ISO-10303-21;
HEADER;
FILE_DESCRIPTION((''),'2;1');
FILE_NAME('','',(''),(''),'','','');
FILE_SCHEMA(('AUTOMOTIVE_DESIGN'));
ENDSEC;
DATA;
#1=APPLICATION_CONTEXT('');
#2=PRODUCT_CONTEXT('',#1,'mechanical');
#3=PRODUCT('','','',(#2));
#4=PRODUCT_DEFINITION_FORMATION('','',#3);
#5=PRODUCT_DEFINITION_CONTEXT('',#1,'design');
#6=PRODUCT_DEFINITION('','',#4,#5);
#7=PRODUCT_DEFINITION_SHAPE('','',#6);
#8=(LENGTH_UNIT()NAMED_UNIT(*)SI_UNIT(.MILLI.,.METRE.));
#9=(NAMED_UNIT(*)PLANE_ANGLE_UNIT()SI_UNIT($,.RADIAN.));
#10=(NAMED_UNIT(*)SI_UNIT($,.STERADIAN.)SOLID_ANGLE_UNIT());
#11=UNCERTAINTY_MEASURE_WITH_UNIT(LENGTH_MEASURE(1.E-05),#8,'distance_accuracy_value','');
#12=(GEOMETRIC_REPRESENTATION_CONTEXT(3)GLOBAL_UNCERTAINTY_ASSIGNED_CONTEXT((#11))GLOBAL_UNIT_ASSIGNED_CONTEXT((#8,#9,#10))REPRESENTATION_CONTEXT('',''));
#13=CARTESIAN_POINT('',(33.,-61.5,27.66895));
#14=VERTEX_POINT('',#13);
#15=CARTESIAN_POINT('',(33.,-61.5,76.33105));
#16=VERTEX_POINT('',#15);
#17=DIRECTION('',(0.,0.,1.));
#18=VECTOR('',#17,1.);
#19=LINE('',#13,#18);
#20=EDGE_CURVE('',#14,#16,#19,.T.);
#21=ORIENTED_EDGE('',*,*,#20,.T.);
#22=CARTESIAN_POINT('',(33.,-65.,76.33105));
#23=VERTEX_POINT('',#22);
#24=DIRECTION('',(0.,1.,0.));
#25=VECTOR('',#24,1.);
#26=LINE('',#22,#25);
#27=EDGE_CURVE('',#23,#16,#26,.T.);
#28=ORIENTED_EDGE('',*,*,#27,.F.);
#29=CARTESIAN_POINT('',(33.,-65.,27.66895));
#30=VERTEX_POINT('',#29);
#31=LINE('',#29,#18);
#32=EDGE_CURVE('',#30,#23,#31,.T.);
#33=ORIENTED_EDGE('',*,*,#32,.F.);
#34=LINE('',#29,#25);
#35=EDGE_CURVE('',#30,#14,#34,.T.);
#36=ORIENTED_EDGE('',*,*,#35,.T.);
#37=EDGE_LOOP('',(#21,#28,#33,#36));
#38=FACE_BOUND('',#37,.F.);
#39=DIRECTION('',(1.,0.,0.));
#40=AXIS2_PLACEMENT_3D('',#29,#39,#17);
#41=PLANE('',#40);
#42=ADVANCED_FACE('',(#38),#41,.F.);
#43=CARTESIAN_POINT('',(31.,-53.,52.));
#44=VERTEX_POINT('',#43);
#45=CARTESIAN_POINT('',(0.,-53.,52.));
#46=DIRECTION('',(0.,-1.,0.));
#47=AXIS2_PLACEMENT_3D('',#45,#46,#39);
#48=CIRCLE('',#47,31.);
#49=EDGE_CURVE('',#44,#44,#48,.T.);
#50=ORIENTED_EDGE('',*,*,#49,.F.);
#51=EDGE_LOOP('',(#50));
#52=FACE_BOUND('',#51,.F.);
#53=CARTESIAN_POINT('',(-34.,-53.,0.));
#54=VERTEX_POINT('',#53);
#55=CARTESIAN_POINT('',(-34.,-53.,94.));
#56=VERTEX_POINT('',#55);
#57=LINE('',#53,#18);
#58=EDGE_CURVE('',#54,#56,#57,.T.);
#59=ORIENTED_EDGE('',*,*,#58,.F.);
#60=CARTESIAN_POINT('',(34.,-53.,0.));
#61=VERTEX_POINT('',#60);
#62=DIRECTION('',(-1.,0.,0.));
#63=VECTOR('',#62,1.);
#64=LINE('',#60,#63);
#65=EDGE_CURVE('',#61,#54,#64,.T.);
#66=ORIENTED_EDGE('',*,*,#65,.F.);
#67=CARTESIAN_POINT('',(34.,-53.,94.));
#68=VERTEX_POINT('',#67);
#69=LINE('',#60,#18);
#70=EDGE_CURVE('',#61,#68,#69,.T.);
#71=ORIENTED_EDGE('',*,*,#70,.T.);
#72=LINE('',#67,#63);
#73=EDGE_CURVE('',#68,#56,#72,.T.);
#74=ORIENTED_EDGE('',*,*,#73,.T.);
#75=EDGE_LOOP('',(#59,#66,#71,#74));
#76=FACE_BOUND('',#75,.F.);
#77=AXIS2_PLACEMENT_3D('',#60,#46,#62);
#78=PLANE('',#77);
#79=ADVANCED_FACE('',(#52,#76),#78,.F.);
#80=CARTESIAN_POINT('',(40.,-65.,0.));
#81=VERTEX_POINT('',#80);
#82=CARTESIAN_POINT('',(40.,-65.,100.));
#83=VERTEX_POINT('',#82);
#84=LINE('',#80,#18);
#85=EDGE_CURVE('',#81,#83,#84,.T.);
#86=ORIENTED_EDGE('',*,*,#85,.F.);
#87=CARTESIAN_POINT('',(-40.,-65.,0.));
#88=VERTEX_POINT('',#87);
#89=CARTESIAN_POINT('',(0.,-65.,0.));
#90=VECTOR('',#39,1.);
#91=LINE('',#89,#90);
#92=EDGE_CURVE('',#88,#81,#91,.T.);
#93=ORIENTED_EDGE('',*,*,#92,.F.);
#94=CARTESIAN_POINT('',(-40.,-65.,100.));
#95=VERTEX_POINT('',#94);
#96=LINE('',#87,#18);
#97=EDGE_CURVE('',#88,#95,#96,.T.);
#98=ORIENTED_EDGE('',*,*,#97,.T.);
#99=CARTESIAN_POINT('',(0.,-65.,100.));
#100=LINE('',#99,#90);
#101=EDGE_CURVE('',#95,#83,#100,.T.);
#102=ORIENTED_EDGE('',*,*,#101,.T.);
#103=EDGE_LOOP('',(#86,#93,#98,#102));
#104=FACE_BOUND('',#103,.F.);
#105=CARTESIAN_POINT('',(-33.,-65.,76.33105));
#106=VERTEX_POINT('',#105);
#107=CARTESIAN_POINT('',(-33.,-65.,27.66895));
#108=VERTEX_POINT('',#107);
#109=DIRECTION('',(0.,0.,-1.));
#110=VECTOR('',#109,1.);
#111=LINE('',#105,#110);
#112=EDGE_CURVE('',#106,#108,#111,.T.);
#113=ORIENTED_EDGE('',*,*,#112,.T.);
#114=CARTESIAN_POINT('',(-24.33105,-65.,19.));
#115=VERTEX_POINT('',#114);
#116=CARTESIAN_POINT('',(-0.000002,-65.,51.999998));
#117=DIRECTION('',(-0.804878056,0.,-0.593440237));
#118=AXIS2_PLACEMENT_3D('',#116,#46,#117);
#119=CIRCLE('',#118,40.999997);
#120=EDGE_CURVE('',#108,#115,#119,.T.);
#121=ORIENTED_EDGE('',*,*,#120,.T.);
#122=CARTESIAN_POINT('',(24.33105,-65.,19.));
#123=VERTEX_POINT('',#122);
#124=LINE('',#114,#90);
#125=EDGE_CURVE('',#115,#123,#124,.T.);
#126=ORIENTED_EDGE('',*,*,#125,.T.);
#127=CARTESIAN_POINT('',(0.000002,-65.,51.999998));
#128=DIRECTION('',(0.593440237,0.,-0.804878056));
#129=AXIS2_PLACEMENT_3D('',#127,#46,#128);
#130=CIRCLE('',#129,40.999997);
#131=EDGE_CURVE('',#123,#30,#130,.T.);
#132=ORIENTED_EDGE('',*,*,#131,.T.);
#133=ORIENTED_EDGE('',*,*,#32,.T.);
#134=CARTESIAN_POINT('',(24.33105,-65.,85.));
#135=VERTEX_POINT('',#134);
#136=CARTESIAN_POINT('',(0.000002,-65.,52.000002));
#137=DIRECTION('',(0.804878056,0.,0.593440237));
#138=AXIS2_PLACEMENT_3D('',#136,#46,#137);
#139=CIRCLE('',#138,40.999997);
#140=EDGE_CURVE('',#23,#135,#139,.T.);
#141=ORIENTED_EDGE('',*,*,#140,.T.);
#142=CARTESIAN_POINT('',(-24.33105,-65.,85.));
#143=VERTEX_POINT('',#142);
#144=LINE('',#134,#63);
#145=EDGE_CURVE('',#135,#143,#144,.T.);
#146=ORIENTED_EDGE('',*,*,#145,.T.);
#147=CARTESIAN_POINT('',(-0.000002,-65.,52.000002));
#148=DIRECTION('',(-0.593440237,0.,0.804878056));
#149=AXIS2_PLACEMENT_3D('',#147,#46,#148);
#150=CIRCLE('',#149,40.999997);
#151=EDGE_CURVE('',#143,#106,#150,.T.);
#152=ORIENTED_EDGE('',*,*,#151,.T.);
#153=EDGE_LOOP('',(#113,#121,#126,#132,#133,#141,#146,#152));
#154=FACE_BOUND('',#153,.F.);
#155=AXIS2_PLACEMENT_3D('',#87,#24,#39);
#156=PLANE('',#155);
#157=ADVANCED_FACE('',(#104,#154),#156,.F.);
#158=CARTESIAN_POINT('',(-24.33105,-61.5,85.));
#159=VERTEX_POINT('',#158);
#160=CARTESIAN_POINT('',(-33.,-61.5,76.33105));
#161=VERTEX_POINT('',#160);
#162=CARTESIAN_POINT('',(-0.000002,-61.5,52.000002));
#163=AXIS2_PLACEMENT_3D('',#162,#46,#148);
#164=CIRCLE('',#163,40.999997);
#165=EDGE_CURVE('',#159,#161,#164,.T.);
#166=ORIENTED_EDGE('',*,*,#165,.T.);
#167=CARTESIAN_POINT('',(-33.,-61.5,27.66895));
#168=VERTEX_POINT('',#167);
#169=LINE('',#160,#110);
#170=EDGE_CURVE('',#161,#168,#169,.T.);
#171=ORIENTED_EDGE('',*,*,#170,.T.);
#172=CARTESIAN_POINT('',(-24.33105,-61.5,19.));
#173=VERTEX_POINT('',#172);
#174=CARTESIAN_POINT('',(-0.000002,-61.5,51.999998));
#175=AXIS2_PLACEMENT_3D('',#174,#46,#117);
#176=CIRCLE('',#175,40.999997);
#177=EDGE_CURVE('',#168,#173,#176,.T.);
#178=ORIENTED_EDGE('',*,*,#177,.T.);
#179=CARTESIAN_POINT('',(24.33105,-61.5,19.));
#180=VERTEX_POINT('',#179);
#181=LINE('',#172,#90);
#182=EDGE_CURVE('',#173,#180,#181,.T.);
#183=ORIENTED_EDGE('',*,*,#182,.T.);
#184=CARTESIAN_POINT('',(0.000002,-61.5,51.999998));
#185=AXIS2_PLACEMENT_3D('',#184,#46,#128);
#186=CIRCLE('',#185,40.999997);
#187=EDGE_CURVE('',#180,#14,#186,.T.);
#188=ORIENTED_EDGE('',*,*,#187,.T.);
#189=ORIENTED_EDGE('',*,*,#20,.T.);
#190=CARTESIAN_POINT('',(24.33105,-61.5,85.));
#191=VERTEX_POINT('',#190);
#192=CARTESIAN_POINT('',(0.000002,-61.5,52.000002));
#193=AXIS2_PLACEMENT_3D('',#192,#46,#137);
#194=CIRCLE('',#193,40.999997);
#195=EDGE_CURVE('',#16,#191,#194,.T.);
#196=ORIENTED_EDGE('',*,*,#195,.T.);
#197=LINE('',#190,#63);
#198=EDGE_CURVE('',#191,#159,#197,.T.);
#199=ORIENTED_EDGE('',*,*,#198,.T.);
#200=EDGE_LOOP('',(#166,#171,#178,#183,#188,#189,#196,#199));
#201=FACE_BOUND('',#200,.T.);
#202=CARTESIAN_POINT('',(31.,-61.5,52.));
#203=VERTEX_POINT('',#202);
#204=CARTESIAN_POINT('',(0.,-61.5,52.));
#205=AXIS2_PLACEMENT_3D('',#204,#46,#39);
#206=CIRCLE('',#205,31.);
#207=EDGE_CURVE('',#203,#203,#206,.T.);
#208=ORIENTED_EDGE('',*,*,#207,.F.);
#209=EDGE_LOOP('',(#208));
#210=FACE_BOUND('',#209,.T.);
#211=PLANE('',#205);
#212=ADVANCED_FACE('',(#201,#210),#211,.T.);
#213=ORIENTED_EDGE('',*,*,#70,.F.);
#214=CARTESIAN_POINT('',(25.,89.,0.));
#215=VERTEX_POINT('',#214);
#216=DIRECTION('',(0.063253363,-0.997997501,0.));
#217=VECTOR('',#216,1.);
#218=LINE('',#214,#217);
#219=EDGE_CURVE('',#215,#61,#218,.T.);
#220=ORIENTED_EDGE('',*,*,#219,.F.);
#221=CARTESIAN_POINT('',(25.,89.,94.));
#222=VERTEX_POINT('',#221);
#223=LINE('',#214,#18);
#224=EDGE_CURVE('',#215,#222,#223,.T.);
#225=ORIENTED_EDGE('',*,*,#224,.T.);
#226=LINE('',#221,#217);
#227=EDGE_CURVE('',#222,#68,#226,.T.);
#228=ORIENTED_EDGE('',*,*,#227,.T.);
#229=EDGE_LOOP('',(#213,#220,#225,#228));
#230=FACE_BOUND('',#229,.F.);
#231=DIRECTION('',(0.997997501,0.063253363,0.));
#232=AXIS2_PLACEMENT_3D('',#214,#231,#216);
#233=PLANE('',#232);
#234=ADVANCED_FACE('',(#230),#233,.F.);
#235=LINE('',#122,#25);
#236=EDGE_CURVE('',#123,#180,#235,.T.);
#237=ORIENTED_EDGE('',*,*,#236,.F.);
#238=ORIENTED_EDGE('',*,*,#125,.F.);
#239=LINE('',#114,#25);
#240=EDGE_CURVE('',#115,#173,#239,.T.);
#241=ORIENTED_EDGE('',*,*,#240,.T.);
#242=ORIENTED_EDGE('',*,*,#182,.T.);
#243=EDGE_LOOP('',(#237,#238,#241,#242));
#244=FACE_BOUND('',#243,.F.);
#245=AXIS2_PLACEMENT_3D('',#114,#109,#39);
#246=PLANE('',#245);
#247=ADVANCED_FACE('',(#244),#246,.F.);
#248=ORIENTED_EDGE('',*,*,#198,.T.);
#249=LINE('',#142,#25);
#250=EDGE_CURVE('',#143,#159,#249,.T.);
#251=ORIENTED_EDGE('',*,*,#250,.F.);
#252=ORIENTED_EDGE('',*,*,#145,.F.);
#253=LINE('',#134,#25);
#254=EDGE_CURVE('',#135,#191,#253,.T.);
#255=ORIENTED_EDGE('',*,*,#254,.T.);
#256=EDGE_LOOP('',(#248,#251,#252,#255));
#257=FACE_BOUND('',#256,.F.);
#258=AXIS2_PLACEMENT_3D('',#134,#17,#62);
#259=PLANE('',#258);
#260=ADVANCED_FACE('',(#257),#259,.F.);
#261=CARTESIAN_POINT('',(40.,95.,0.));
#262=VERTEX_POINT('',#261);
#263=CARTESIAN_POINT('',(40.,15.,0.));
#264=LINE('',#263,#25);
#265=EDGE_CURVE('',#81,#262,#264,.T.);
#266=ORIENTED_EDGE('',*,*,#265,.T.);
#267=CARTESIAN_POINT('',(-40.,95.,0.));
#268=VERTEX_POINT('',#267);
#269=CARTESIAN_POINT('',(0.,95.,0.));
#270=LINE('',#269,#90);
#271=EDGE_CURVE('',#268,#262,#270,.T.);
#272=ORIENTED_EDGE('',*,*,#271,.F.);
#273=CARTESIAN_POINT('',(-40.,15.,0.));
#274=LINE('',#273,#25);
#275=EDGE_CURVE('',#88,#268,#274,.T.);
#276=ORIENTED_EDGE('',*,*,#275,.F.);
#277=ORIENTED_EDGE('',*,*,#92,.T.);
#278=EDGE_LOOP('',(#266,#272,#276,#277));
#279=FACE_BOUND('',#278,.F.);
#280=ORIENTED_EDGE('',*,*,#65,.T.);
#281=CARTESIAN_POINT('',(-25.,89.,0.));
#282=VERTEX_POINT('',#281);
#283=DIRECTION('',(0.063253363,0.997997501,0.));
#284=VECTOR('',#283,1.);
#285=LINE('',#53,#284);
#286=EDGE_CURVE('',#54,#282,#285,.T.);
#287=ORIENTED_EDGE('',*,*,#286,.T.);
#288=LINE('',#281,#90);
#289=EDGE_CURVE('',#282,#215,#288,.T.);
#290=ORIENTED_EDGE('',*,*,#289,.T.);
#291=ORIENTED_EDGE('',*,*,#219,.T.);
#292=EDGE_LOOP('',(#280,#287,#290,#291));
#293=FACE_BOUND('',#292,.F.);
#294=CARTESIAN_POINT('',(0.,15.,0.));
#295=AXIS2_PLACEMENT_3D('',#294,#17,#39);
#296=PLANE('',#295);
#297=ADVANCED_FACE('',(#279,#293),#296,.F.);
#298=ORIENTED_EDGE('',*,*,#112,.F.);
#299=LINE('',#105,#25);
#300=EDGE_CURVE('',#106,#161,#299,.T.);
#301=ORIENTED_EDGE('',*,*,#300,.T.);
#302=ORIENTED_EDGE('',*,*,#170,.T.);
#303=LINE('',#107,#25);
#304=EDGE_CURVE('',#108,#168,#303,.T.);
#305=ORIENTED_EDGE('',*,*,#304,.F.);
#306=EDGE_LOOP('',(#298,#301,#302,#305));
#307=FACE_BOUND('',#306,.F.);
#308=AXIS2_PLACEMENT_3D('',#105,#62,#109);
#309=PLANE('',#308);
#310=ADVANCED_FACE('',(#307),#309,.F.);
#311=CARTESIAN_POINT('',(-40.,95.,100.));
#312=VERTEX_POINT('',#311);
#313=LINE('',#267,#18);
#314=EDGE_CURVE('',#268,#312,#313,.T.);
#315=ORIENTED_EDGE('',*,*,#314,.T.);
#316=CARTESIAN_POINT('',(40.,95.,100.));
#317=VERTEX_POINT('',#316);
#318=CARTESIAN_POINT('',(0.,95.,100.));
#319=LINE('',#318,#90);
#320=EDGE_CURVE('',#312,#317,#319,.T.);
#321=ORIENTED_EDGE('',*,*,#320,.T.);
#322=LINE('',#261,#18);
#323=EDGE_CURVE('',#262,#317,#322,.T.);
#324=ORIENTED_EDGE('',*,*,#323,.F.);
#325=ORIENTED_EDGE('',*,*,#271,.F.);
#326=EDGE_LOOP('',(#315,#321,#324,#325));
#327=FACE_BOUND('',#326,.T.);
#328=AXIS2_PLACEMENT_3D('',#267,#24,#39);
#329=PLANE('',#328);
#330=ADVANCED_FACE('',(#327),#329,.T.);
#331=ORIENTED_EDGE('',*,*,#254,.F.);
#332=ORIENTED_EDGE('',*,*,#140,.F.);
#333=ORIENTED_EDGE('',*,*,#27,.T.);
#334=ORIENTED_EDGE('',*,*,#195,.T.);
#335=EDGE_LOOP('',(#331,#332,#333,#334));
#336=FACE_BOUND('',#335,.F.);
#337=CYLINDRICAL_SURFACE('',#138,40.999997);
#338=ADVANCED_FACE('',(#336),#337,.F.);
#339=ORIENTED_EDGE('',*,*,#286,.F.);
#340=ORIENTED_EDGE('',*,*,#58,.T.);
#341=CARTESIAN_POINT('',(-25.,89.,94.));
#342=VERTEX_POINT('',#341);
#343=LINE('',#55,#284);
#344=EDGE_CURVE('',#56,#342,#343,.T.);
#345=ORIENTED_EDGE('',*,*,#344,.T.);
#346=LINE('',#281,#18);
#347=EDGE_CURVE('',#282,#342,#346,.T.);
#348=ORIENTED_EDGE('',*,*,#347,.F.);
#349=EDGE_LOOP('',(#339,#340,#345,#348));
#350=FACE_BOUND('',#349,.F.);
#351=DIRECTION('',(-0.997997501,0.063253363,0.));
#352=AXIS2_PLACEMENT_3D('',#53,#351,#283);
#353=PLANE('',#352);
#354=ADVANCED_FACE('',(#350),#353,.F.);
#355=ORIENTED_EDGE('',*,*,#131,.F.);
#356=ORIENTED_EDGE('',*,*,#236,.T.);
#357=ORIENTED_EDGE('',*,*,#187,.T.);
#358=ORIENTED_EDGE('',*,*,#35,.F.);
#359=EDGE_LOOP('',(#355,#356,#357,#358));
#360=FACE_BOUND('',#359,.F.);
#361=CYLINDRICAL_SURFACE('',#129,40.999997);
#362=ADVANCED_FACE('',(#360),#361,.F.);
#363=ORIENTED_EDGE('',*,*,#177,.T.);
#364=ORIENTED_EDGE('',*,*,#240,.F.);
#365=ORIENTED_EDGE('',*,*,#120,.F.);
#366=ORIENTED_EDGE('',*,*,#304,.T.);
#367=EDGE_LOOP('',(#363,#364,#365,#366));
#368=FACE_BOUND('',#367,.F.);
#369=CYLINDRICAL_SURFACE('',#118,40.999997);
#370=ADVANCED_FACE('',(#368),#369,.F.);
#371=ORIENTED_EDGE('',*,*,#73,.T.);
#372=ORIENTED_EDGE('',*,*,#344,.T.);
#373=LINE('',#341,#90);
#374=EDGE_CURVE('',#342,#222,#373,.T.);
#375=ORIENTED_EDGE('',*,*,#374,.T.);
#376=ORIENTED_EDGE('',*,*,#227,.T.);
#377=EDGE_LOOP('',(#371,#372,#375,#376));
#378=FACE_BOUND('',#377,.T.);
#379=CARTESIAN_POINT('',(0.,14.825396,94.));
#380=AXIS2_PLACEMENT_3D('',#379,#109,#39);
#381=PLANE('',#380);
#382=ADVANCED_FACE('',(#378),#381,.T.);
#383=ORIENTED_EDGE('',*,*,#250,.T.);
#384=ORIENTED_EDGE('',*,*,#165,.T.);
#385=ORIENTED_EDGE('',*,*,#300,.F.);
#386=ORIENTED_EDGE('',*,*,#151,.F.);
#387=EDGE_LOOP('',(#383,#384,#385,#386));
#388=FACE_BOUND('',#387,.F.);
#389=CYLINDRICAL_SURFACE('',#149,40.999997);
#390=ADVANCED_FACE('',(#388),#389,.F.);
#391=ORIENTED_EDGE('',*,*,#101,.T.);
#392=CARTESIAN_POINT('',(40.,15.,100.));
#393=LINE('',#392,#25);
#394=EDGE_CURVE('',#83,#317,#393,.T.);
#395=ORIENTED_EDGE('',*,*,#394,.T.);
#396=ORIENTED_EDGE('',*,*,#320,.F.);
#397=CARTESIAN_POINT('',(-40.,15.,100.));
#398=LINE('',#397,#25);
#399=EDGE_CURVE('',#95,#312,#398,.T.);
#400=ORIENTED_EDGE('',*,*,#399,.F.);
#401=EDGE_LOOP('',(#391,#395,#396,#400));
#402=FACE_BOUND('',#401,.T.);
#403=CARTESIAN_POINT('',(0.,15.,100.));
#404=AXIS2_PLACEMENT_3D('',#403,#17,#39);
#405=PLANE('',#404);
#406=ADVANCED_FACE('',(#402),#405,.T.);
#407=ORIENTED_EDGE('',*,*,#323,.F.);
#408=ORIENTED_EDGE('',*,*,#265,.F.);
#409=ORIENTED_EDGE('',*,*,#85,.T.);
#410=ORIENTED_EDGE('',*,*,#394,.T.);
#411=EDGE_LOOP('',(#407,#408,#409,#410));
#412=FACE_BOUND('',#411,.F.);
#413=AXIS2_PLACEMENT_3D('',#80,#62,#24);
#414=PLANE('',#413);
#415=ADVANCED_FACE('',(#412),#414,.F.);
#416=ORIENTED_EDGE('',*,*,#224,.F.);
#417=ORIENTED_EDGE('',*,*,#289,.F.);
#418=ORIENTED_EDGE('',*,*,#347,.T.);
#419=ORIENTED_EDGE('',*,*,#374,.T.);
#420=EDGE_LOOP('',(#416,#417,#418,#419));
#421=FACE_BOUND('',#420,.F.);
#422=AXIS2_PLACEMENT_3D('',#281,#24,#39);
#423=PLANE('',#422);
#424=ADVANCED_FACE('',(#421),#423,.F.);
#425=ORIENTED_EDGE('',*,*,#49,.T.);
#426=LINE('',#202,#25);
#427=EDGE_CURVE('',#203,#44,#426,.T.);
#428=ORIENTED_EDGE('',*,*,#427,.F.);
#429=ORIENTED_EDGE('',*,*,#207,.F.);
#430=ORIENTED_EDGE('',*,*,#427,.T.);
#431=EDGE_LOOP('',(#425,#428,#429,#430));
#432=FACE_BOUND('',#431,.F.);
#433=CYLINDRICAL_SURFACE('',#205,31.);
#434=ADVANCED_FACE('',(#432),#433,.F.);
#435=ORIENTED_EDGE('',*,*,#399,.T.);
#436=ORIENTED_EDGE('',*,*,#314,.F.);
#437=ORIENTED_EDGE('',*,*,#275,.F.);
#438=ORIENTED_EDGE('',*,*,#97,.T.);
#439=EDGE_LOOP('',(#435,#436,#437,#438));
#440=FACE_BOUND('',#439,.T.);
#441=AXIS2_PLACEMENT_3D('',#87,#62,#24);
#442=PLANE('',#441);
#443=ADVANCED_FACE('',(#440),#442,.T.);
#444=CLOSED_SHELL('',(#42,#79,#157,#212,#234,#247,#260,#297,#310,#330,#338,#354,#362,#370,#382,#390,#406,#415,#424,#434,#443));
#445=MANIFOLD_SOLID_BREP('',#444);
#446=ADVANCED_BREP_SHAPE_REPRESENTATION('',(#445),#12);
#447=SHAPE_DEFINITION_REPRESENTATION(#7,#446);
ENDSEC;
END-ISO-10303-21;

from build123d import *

# Parameters (mm, degrees)
F0_W     = 80
F0_H     = 160
F1_DEPTH = 100
F3_DEPTH = 94
F5_DEPTH = 3.5
F6_R     = 31
F7_DEPTH = 25
F8_ANGLE = 180


with BuildPart() as f1:
    # F0 (on Top) → F1 (new body)
    with BuildSketch(Plane.XY):
        with Locations((0, 15)):
            Rectangle(F0_W, F0_H)
    extrude(amount=F1_DEPTH)

    # F2 (on face) → F3 (cut)
    with BuildSketch(Plane(origin=(0, 0, 0), x_dir=(1, 0, 0), z_dir=(0, 0, -1))):
        Polygon((-25, -89), (25, -89), (34, 53), (-34, 53), align=None)
    extrude(amount=-F3_DEPTH, mode=Mode.SUBTRACT)

    # F4 (on face) → F5 (cut)
    with BuildSketch(Plane.XZ.offset(65)):
        with BuildLine():
            Line((24.33105, 85), (-24.33105, 85))
            ThreePointArc((-24.33105, 85), (-28.991378, 80.991378), (-33, 76.33105))
            Line((-33, 76.33105), (-33, 27.66895))
            ThreePointArc((-33, 27.66895), (-28.991378, 23.008622), (-24.33105, 19))
            Line((-24.33105, 19), (24.33105, 19))
            ThreePointArc((24.33105, 19), (28.991378, 23.008622), (33, 27.66895))
            Line((33, 27.66895), (33, 76.33105))
            ThreePointArc((33, 76.33105), (28.991378, 80.991378), (24.33105, 85))
        make_face()
    extrude(amount=-F5_DEPTH, mode=Mode.SUBTRACT)

    # F6 (on face) → F7 (cut)
    with BuildSketch(Plane.XZ.offset(61.5)):
        with Locations((0, 52)):
            Circle(F6_R)
    extrude(amount=-F7_DEPTH, mode=Mode.SUBTRACT)


with BuildPart() as f8_1:
    # F8: copy of F1
    add(f1.part.rotate(Axis((40, 15, 0), (0, -1, 0)), F8_ANGLE))


solid = f1.part
